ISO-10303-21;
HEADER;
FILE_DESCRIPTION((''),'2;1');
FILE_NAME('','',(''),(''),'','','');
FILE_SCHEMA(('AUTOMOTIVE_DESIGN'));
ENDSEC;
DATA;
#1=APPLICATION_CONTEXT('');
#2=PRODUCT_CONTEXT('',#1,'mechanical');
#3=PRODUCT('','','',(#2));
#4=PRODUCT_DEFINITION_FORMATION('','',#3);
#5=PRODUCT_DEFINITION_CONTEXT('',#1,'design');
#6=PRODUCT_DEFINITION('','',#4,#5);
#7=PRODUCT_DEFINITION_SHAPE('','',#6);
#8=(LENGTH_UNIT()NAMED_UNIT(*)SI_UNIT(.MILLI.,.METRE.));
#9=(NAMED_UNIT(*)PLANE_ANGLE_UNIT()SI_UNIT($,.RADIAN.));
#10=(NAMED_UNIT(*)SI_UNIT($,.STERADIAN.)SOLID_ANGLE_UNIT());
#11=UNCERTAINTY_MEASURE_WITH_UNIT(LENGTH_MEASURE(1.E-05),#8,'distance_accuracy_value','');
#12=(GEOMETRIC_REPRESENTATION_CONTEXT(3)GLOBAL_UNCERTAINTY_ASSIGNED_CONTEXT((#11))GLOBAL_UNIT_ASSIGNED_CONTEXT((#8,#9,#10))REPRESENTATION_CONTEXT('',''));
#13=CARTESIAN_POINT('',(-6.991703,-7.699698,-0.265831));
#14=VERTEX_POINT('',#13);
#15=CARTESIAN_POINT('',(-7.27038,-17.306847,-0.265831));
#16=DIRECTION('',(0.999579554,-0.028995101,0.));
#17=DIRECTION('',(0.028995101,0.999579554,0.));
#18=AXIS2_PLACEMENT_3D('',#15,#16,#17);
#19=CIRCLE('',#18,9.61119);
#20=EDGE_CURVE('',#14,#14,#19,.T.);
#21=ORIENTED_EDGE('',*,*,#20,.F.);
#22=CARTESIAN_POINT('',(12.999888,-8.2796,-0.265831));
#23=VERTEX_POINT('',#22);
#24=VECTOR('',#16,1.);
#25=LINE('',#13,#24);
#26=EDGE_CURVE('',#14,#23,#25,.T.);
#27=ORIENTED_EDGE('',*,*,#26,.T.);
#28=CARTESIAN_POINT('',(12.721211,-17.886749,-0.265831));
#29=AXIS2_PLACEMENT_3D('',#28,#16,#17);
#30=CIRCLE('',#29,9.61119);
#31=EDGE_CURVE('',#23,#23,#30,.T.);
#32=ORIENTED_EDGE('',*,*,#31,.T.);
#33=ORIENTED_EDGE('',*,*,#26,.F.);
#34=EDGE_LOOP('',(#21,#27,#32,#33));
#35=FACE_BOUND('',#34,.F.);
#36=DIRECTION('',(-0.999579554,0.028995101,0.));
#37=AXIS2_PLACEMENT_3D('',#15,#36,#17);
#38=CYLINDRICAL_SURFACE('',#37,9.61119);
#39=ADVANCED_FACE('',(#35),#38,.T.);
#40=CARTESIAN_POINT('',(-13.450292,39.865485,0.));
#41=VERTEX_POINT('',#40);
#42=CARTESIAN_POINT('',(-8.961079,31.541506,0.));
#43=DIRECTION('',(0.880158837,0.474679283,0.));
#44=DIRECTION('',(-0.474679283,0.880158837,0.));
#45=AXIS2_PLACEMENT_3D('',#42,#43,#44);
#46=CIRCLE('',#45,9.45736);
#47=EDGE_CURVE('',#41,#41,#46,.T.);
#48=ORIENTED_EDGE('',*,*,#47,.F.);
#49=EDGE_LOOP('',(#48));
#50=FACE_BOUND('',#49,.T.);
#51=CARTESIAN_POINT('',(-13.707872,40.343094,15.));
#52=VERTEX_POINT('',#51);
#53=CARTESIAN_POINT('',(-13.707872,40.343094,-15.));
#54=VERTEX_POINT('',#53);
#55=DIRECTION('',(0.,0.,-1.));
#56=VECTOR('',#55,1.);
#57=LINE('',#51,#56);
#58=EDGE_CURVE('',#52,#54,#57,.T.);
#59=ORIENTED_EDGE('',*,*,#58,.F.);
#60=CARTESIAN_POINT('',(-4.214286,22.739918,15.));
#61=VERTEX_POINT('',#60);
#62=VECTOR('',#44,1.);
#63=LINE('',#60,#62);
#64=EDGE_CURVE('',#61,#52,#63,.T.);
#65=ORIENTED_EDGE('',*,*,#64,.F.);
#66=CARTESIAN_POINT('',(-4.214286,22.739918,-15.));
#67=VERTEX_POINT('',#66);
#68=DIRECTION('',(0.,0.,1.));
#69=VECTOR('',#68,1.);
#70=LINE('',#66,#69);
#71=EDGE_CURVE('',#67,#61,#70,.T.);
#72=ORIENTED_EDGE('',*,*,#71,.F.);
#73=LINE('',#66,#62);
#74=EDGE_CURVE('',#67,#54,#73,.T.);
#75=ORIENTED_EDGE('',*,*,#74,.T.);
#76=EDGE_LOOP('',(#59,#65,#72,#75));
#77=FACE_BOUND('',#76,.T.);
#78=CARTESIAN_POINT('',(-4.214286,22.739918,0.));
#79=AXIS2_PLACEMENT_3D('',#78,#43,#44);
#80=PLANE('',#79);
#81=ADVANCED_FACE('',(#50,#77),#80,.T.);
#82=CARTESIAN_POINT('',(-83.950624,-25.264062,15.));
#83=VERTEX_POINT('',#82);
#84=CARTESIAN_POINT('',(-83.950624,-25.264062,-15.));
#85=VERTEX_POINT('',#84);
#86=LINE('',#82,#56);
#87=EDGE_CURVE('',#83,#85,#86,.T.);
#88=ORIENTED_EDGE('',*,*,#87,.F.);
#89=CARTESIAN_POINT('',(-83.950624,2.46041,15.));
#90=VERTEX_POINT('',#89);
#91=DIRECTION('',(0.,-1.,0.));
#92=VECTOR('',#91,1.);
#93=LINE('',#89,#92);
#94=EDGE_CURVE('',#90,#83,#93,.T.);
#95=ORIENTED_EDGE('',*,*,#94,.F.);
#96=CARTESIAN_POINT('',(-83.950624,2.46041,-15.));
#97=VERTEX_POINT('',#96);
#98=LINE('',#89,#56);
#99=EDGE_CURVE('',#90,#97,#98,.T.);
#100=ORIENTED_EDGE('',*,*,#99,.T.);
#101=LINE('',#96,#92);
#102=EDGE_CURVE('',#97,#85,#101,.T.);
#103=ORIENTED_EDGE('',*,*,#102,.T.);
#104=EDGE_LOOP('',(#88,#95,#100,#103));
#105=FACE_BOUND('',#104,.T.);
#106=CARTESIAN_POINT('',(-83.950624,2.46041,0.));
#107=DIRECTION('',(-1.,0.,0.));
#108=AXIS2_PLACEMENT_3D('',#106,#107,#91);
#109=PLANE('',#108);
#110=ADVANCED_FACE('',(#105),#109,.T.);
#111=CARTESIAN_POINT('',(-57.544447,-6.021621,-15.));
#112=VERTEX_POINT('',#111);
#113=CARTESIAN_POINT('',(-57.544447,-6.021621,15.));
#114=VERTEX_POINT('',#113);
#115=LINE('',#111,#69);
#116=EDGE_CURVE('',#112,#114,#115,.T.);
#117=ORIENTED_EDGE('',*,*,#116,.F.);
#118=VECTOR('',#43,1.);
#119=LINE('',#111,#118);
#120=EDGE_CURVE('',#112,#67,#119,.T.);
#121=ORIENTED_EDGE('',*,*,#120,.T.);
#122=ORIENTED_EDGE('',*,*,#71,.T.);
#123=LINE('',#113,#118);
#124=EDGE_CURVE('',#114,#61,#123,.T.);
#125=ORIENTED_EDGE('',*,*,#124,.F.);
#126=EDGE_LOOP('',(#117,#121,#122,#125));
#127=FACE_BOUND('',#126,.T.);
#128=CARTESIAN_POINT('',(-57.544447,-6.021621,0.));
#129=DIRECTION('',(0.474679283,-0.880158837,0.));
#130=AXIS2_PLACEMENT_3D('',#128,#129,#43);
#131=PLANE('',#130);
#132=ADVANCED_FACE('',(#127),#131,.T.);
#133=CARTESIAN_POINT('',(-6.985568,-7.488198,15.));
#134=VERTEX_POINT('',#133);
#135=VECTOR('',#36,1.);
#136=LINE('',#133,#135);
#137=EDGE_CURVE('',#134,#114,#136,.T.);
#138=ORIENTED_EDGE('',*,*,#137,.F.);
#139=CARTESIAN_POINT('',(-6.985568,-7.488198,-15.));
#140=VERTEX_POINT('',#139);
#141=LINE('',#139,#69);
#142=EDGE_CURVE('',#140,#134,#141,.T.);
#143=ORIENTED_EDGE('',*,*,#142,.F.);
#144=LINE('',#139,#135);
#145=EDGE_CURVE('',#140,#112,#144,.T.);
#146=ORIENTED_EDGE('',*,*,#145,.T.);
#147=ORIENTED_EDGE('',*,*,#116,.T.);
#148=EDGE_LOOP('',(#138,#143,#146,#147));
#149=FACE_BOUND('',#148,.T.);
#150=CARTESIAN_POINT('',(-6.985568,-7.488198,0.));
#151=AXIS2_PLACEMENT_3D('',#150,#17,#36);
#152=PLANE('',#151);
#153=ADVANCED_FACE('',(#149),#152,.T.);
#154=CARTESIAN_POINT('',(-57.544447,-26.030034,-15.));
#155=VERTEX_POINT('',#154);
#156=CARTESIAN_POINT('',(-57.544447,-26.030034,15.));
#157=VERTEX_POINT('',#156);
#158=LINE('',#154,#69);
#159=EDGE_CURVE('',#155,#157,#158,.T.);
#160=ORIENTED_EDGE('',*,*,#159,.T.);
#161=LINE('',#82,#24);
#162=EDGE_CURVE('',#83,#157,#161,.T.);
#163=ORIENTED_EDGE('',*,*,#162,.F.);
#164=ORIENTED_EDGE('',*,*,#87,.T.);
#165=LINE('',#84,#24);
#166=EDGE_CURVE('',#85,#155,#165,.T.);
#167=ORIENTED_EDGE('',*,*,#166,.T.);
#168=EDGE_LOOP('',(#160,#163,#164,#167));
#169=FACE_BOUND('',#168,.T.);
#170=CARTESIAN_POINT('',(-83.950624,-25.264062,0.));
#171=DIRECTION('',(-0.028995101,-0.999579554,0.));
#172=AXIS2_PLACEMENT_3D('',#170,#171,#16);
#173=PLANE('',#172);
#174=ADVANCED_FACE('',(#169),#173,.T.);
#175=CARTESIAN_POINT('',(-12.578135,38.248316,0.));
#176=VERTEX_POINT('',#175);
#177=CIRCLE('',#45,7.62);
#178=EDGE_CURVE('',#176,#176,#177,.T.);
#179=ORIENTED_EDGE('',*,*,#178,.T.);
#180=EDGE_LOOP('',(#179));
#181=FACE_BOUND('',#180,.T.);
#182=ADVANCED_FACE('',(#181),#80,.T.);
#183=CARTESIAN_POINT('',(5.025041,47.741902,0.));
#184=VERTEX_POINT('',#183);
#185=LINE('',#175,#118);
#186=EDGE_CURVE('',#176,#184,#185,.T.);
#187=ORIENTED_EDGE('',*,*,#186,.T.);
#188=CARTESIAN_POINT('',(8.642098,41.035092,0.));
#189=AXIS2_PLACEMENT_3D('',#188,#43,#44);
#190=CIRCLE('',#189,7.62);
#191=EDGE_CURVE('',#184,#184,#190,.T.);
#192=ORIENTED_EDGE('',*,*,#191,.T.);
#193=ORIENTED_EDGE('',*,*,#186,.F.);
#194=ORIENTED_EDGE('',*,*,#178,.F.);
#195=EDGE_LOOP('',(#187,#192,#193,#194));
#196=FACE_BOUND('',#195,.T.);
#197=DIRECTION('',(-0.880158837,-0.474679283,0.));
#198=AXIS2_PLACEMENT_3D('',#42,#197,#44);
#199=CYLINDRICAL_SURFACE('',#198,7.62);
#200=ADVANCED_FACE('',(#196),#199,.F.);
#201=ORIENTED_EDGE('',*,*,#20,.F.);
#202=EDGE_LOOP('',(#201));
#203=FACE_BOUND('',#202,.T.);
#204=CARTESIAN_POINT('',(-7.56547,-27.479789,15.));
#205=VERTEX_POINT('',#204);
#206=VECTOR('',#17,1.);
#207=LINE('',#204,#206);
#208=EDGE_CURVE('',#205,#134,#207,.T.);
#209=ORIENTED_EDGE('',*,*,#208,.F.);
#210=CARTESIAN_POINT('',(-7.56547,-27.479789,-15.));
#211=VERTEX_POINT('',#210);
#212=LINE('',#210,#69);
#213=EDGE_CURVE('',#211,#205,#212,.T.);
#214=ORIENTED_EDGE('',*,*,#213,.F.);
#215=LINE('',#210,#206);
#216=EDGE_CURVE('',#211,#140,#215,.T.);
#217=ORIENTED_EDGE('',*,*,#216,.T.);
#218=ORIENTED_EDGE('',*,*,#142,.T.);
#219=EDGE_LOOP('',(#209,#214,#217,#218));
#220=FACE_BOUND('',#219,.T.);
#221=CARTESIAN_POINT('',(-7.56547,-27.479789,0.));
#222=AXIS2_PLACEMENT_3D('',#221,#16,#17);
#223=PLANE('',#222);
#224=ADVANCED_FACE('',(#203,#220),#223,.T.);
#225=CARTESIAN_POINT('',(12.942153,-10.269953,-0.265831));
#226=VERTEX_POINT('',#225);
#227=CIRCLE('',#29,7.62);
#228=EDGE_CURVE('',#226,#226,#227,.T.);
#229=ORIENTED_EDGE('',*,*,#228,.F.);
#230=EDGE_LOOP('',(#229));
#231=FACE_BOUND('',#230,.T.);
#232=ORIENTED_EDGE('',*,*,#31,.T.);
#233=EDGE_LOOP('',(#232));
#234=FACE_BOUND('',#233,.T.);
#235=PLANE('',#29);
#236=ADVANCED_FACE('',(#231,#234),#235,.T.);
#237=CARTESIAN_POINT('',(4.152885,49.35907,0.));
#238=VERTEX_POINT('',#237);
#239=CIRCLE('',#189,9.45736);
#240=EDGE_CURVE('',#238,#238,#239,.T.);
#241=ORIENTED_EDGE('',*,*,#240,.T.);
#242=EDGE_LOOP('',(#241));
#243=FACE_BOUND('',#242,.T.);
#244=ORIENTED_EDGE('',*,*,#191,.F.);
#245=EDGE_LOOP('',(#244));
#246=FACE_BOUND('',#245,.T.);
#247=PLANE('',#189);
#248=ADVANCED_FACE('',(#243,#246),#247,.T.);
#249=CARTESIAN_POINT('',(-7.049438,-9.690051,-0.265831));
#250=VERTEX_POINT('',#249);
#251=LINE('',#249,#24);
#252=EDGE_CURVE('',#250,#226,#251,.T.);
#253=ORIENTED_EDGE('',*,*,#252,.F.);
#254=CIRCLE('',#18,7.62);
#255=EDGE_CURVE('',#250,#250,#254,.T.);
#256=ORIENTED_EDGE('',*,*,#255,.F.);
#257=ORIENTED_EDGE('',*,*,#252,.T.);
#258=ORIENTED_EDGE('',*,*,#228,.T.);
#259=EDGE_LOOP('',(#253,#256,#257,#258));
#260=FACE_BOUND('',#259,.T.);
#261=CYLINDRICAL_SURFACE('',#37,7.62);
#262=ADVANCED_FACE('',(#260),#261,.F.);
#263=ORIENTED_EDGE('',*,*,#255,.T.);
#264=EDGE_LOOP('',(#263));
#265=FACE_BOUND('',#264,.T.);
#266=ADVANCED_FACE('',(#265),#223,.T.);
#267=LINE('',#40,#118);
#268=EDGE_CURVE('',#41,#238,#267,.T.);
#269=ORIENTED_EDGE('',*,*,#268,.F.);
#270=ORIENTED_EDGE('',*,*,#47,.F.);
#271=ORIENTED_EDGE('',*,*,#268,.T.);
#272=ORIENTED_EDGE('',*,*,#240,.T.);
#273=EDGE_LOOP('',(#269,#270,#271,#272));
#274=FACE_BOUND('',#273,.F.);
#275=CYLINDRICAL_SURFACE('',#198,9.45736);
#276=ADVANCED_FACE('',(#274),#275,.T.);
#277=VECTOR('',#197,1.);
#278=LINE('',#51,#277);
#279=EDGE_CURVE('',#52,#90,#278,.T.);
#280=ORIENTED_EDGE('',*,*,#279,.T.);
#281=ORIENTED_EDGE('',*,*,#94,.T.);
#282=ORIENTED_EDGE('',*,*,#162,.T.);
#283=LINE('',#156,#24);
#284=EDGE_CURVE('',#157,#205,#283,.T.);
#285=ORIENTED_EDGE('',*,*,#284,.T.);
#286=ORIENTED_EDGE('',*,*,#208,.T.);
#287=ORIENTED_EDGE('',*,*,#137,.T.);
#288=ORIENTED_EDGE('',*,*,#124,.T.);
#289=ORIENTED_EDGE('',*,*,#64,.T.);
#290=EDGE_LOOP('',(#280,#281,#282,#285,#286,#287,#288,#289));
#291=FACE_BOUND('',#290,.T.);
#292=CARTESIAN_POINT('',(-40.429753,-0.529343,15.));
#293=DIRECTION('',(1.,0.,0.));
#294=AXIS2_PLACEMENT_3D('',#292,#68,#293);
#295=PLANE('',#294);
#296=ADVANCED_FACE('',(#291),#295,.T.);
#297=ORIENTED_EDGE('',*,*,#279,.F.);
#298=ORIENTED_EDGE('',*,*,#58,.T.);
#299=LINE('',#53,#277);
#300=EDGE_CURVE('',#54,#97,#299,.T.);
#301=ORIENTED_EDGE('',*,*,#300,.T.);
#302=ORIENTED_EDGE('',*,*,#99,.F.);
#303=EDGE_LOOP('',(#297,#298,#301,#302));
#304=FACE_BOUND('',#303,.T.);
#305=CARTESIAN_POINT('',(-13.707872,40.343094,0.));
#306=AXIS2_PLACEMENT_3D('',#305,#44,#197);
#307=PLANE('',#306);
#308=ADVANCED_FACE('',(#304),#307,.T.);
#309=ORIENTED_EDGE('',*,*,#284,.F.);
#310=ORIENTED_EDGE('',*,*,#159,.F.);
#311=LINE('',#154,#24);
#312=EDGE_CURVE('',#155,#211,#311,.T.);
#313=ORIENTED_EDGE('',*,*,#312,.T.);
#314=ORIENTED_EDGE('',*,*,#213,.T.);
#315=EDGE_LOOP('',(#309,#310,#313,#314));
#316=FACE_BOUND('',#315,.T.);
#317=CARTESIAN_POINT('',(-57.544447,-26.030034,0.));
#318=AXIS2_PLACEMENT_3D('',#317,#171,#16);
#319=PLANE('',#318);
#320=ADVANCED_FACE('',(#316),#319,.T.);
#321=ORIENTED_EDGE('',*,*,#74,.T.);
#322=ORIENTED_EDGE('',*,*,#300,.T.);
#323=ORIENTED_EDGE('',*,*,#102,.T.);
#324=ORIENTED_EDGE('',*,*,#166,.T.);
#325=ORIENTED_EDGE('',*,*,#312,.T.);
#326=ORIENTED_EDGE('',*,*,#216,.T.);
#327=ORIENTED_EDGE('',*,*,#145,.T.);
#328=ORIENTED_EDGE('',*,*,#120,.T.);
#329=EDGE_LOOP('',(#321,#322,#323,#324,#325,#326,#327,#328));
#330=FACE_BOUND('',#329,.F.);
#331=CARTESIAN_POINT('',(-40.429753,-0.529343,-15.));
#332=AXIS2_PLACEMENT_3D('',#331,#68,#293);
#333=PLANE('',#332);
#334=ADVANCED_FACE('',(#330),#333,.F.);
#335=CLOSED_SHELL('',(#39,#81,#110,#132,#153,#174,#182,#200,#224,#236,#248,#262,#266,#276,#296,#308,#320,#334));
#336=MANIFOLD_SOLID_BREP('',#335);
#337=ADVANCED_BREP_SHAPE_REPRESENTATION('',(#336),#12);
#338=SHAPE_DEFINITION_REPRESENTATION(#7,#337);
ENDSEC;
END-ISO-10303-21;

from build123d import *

# Parameters (mm, degrees)
F1_DEPTH = 15
F2_DEPTH = 15
F3_R     = 9.4573598756
F3_R_2   = 7.62
F4_DEPTH = 20
F5_R     = 9.6111895613
F5_R_2   = 7.62
F6_DEPTH = 20


with BuildPart() as f1:
    # F0 (on Top) → F1 (new body)
    with BuildSketch(Plane.XY):
        Polygon((-83.9506240486, -25.2640620153), (-57.5444474816, -26.0300338268), (-7.5654697983, -27.4797888861), (-6.9855677746, -7.4881978128), (-57.5444474816, -6.0216213632), (-4.2142863446, 22.7399175335), (-13.707871997, 40.3430942769), (-83.9506240486, 2.4604102147), align=None)
    extrude(amount=F1_DEPTH)

    # F2 (add): a face of the model
    f2_faces = [f1.faces().sort_by_distance(p)[0] for p in [
        (-48.3323554586, 20.4804051436, 0),
    ]]
    extrude(f2_faces, amount=F2_DEPTH)

    # F3 (on face) → F4 (join)
    with BuildSketch(Plane(origin=(6.235860558, 3.3630677682, 0), x_dir=(-0.4746792826, 0.8801588372, 0), z_dir=(0.8801588372, 0.4746792826, 0))):
        with Locations((32.0151737925, 0)):
            Circle(F3_R)
        with Locations((32.0151737925, 0)):
            Circle(F3_R_2, mode=Mode.SUBTRACT)
    extrude(amount=F4_DEPTH)

    # F5 (on face) → F6 (join)
    with BuildSketch(Plane(origin=(-6.7626651312, 0.1961666373, 0), x_dir=(0.0289951012, 0.9995795537, 0), z_dir=(0.9995795537, -0.0289951012, 0))):
        with Locations((-17.5103756727, -0.2658314989)):
            Circle(F5_R)
        with Locations((-17.5103756727, -0.2658314989)):
            Circle(F5_R_2, mode=Mode.SUBTRACT)
    extrude(amount=F6_DEPTH)


solid = f1.part
